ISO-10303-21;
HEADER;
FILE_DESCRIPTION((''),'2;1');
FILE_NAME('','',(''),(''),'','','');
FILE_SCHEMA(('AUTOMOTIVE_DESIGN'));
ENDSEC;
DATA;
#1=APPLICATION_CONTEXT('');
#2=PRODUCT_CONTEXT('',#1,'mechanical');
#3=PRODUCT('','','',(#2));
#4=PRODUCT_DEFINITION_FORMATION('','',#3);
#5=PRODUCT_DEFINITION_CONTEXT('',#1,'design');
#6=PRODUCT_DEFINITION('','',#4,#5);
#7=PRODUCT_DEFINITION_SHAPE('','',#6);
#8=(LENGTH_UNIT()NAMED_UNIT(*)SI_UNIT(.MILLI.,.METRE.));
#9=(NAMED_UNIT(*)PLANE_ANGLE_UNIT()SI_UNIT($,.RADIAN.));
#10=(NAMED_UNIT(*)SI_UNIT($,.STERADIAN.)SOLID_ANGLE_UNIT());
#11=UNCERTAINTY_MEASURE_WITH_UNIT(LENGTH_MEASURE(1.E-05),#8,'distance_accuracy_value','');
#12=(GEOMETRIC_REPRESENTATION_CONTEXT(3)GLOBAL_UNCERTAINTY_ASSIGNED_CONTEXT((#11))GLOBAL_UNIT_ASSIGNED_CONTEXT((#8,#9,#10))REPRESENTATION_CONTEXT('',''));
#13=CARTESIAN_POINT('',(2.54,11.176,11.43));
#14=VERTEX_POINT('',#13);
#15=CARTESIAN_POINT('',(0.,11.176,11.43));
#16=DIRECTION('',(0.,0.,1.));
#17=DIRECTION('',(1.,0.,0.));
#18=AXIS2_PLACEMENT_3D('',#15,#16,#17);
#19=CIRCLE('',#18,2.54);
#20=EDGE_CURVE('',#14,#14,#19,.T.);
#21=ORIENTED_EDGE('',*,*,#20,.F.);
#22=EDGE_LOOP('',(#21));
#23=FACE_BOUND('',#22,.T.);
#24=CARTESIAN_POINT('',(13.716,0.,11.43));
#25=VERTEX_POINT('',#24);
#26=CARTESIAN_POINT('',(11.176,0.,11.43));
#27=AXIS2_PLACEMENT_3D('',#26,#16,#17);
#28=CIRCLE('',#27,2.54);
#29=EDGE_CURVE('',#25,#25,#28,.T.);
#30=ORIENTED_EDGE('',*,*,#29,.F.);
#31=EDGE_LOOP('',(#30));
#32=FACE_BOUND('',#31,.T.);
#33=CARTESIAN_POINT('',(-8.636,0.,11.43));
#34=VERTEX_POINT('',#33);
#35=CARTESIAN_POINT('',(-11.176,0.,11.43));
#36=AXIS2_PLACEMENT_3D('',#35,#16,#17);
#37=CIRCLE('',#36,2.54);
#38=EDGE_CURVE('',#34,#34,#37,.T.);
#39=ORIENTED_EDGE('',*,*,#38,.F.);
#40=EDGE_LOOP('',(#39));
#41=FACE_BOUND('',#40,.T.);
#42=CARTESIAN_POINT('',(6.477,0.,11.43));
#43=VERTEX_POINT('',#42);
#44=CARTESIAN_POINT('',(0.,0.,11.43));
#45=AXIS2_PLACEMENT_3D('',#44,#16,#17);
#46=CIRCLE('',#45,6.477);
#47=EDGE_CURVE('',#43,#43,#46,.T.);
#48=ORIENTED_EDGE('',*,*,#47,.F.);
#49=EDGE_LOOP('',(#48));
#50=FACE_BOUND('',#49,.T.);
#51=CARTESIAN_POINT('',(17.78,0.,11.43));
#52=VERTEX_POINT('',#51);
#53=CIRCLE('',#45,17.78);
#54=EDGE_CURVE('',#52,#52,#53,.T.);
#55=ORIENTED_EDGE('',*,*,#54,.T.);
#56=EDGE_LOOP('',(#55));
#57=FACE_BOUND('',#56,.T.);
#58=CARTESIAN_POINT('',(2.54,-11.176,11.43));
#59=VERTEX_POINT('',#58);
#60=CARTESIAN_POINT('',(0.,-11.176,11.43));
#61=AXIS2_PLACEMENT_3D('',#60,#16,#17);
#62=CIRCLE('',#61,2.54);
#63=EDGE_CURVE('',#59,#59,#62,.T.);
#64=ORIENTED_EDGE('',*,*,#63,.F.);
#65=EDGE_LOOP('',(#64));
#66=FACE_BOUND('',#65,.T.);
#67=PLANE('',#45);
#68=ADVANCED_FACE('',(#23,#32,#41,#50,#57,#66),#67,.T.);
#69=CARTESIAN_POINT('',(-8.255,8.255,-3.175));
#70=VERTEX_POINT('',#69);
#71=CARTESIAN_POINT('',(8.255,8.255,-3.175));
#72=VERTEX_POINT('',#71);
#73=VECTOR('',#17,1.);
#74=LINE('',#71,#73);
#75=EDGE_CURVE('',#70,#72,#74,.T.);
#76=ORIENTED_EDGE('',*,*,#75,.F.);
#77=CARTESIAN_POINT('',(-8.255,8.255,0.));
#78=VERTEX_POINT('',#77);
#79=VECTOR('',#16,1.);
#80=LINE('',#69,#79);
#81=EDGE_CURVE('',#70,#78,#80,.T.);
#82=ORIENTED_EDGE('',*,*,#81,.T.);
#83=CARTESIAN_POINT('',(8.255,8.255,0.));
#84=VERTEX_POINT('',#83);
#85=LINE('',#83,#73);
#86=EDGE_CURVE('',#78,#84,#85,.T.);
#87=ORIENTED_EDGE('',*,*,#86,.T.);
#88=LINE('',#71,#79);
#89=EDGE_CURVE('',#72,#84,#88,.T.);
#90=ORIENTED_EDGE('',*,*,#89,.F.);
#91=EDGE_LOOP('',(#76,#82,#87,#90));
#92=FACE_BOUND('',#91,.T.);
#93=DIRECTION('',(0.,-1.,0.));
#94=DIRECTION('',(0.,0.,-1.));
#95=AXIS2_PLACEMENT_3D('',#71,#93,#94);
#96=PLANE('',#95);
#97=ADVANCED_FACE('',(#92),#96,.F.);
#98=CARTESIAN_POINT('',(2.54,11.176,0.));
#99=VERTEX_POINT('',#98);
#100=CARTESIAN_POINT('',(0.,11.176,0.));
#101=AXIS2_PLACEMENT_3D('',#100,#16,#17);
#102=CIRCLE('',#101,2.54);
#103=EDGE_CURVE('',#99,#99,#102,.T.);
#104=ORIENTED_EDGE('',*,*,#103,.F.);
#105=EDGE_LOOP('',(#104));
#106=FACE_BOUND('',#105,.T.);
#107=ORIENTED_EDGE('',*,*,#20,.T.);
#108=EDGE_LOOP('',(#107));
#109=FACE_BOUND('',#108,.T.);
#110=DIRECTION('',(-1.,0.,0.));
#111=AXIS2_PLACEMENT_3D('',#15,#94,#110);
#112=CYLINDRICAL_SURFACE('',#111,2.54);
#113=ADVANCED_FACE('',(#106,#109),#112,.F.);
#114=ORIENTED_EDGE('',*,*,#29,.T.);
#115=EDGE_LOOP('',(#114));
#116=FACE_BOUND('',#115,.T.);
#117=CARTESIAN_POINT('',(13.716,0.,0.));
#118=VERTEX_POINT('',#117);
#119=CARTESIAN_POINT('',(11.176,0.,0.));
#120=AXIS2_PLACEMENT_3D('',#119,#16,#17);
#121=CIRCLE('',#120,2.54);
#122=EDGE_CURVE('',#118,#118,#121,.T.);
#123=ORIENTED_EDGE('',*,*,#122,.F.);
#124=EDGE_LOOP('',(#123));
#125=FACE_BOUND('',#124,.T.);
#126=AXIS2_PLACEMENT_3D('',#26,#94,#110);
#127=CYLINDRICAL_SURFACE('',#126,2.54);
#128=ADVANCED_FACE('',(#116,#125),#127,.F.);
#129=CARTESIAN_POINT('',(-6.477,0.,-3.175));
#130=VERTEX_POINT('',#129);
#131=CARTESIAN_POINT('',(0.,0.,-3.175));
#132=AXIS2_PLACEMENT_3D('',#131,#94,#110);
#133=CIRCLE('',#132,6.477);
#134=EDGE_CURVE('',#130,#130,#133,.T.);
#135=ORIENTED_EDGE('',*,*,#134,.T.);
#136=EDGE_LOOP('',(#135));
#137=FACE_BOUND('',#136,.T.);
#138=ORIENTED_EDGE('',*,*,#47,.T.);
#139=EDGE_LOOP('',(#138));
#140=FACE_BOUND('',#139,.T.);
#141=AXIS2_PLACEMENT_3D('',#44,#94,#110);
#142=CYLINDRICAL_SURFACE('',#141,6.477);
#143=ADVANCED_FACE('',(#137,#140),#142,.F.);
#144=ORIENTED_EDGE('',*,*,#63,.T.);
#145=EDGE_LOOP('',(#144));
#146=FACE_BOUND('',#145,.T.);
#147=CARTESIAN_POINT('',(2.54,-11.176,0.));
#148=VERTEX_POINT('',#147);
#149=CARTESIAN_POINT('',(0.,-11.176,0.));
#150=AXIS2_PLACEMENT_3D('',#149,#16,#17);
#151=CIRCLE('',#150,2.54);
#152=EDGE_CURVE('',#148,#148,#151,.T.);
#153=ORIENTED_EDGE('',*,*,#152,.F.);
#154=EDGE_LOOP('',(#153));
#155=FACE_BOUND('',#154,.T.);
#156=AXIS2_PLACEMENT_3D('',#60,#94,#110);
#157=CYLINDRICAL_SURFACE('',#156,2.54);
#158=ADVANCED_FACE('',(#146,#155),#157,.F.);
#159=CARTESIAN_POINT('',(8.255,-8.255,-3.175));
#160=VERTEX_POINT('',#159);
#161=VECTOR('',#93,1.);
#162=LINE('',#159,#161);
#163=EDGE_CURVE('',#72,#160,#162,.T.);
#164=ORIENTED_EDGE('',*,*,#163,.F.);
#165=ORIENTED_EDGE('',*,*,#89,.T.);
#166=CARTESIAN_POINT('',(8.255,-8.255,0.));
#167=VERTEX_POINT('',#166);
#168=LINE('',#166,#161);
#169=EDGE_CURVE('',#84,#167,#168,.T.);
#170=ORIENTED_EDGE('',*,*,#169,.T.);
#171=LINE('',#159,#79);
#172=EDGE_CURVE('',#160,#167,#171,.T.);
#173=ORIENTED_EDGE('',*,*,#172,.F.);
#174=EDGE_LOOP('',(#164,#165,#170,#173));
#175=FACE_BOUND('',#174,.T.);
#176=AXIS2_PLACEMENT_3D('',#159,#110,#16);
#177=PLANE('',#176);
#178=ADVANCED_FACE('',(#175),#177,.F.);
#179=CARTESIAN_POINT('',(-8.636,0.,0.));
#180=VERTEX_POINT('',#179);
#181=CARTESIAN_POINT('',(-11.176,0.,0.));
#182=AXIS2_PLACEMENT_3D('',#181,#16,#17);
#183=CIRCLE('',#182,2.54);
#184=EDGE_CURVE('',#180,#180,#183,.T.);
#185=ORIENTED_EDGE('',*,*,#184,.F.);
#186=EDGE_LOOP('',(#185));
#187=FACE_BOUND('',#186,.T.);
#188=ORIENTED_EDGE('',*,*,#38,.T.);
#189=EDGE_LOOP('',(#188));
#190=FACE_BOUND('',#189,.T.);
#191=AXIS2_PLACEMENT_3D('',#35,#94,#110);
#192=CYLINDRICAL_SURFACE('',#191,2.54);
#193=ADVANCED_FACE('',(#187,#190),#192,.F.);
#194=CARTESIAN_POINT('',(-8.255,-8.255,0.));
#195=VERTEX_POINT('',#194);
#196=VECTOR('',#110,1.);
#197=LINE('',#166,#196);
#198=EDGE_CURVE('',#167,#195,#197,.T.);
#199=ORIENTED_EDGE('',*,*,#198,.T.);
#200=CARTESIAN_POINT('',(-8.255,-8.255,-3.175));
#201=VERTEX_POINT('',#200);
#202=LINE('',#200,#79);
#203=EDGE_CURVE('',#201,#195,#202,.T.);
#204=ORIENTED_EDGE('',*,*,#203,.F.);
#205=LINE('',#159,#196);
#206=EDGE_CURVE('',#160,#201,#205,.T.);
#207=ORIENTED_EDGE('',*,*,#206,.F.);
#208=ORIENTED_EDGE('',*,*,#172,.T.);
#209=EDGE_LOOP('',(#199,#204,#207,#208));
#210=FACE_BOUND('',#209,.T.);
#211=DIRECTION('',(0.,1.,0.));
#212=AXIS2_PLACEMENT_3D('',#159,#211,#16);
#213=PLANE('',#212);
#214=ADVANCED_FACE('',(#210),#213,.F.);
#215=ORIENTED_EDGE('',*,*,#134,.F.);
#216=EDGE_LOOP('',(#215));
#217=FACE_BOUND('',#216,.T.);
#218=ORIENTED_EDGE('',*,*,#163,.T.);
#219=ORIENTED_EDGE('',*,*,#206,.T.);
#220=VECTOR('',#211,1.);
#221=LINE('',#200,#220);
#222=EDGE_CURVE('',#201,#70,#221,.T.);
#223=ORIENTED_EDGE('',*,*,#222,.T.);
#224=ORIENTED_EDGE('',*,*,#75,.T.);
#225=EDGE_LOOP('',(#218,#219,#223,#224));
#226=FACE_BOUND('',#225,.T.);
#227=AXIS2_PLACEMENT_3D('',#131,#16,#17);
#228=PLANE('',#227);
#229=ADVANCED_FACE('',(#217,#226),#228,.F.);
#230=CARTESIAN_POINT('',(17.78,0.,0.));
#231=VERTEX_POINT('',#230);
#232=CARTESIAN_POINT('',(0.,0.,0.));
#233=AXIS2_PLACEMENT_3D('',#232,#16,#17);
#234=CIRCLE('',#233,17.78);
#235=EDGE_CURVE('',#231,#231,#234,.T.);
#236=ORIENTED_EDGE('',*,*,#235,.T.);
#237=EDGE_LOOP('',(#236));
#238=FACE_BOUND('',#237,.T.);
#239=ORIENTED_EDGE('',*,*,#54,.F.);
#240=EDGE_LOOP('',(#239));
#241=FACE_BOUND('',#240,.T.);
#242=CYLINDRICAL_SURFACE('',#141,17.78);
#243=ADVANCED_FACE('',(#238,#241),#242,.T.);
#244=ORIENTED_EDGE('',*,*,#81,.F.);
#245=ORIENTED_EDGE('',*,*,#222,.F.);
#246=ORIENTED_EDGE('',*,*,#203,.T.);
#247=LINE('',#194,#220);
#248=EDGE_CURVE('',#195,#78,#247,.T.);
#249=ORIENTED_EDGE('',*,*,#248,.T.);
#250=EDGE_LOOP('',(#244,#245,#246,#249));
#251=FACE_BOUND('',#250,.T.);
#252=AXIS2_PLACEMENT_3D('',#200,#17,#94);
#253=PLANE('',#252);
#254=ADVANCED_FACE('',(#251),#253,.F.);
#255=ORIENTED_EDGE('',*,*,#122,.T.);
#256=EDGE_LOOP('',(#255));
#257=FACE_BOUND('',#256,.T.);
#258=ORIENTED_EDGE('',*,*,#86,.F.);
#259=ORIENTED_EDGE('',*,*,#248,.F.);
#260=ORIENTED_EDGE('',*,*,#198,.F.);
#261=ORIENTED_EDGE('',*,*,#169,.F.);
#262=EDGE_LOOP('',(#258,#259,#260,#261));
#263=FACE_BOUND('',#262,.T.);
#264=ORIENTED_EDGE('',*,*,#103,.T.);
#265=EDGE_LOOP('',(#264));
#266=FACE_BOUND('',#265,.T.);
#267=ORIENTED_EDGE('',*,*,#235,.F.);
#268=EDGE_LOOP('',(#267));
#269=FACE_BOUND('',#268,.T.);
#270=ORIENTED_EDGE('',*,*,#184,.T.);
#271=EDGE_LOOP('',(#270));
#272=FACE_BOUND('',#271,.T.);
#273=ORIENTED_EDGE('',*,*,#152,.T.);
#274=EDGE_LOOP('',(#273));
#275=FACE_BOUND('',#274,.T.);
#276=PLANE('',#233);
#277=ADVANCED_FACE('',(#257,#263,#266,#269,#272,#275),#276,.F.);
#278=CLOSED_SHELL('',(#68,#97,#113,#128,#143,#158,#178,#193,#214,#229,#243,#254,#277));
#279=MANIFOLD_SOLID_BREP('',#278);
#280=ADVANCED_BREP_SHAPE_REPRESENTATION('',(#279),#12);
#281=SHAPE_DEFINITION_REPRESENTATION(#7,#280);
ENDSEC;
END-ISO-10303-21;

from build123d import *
from build123d.topology import SkipClean

# Parameters (mm, degrees)
SKETCH1_R           = 17.78
SKETCH1_R_2         = 2.54
SKETCH1_R_3         = 6.477
BOSS_EXTRUDE1_DEPTH = 11.43
BOSS_EXTRUDE2_START = 3.175
SKETCH2_W           = 16.51
SKETCH2_H           = 16.51
SKETCH2_R           = 6.477
BOSS_EXTRUDE2_DEPTH = 3.175


with BuildPart() as part:
    # Sketch1 → Boss-Extrude1 (new body)
    with BuildSketch(Plane.XY):
        Circle(SKETCH1_R)
        with Locations((-11.176, 0)):
            Circle(SKETCH1_R_2, mode=Mode.SUBTRACT)
        with Locations((0, -11.176)):
            Circle(SKETCH1_R_2, mode=Mode.SUBTRACT)
        with Locations((11.176, 0)):
            Circle(SKETCH1_R_2, mode=Mode.SUBTRACT)
        with Locations((0, 11.176)):
            Circle(SKETCH1_R_2, mode=Mode.SUBTRACT)
        Circle(SKETCH1_R_3, mode=Mode.SUBTRACT)
    extrude(amount=BOSS_EXTRUDE1_DEPTH)

    # Sketch2 → Boss-Extrude2 (add)
    with SkipClean():  # the faces are left unmerged after this step: merging them gives an invalid solid
        with BuildSketch(Plane(origin=(0, 0, 0), x_dir=(-1, 0, 0), z_dir=(0, 0, -1)).offset(BOSS_EXTRUDE2_START)):
            Rectangle(SKETCH2_W, SKETCH2_H)
            Circle(SKETCH2_R, mode=Mode.SUBTRACT)
        extrude(amount=-BOSS_EXTRUDE2_DEPTH)


solid = part.part
